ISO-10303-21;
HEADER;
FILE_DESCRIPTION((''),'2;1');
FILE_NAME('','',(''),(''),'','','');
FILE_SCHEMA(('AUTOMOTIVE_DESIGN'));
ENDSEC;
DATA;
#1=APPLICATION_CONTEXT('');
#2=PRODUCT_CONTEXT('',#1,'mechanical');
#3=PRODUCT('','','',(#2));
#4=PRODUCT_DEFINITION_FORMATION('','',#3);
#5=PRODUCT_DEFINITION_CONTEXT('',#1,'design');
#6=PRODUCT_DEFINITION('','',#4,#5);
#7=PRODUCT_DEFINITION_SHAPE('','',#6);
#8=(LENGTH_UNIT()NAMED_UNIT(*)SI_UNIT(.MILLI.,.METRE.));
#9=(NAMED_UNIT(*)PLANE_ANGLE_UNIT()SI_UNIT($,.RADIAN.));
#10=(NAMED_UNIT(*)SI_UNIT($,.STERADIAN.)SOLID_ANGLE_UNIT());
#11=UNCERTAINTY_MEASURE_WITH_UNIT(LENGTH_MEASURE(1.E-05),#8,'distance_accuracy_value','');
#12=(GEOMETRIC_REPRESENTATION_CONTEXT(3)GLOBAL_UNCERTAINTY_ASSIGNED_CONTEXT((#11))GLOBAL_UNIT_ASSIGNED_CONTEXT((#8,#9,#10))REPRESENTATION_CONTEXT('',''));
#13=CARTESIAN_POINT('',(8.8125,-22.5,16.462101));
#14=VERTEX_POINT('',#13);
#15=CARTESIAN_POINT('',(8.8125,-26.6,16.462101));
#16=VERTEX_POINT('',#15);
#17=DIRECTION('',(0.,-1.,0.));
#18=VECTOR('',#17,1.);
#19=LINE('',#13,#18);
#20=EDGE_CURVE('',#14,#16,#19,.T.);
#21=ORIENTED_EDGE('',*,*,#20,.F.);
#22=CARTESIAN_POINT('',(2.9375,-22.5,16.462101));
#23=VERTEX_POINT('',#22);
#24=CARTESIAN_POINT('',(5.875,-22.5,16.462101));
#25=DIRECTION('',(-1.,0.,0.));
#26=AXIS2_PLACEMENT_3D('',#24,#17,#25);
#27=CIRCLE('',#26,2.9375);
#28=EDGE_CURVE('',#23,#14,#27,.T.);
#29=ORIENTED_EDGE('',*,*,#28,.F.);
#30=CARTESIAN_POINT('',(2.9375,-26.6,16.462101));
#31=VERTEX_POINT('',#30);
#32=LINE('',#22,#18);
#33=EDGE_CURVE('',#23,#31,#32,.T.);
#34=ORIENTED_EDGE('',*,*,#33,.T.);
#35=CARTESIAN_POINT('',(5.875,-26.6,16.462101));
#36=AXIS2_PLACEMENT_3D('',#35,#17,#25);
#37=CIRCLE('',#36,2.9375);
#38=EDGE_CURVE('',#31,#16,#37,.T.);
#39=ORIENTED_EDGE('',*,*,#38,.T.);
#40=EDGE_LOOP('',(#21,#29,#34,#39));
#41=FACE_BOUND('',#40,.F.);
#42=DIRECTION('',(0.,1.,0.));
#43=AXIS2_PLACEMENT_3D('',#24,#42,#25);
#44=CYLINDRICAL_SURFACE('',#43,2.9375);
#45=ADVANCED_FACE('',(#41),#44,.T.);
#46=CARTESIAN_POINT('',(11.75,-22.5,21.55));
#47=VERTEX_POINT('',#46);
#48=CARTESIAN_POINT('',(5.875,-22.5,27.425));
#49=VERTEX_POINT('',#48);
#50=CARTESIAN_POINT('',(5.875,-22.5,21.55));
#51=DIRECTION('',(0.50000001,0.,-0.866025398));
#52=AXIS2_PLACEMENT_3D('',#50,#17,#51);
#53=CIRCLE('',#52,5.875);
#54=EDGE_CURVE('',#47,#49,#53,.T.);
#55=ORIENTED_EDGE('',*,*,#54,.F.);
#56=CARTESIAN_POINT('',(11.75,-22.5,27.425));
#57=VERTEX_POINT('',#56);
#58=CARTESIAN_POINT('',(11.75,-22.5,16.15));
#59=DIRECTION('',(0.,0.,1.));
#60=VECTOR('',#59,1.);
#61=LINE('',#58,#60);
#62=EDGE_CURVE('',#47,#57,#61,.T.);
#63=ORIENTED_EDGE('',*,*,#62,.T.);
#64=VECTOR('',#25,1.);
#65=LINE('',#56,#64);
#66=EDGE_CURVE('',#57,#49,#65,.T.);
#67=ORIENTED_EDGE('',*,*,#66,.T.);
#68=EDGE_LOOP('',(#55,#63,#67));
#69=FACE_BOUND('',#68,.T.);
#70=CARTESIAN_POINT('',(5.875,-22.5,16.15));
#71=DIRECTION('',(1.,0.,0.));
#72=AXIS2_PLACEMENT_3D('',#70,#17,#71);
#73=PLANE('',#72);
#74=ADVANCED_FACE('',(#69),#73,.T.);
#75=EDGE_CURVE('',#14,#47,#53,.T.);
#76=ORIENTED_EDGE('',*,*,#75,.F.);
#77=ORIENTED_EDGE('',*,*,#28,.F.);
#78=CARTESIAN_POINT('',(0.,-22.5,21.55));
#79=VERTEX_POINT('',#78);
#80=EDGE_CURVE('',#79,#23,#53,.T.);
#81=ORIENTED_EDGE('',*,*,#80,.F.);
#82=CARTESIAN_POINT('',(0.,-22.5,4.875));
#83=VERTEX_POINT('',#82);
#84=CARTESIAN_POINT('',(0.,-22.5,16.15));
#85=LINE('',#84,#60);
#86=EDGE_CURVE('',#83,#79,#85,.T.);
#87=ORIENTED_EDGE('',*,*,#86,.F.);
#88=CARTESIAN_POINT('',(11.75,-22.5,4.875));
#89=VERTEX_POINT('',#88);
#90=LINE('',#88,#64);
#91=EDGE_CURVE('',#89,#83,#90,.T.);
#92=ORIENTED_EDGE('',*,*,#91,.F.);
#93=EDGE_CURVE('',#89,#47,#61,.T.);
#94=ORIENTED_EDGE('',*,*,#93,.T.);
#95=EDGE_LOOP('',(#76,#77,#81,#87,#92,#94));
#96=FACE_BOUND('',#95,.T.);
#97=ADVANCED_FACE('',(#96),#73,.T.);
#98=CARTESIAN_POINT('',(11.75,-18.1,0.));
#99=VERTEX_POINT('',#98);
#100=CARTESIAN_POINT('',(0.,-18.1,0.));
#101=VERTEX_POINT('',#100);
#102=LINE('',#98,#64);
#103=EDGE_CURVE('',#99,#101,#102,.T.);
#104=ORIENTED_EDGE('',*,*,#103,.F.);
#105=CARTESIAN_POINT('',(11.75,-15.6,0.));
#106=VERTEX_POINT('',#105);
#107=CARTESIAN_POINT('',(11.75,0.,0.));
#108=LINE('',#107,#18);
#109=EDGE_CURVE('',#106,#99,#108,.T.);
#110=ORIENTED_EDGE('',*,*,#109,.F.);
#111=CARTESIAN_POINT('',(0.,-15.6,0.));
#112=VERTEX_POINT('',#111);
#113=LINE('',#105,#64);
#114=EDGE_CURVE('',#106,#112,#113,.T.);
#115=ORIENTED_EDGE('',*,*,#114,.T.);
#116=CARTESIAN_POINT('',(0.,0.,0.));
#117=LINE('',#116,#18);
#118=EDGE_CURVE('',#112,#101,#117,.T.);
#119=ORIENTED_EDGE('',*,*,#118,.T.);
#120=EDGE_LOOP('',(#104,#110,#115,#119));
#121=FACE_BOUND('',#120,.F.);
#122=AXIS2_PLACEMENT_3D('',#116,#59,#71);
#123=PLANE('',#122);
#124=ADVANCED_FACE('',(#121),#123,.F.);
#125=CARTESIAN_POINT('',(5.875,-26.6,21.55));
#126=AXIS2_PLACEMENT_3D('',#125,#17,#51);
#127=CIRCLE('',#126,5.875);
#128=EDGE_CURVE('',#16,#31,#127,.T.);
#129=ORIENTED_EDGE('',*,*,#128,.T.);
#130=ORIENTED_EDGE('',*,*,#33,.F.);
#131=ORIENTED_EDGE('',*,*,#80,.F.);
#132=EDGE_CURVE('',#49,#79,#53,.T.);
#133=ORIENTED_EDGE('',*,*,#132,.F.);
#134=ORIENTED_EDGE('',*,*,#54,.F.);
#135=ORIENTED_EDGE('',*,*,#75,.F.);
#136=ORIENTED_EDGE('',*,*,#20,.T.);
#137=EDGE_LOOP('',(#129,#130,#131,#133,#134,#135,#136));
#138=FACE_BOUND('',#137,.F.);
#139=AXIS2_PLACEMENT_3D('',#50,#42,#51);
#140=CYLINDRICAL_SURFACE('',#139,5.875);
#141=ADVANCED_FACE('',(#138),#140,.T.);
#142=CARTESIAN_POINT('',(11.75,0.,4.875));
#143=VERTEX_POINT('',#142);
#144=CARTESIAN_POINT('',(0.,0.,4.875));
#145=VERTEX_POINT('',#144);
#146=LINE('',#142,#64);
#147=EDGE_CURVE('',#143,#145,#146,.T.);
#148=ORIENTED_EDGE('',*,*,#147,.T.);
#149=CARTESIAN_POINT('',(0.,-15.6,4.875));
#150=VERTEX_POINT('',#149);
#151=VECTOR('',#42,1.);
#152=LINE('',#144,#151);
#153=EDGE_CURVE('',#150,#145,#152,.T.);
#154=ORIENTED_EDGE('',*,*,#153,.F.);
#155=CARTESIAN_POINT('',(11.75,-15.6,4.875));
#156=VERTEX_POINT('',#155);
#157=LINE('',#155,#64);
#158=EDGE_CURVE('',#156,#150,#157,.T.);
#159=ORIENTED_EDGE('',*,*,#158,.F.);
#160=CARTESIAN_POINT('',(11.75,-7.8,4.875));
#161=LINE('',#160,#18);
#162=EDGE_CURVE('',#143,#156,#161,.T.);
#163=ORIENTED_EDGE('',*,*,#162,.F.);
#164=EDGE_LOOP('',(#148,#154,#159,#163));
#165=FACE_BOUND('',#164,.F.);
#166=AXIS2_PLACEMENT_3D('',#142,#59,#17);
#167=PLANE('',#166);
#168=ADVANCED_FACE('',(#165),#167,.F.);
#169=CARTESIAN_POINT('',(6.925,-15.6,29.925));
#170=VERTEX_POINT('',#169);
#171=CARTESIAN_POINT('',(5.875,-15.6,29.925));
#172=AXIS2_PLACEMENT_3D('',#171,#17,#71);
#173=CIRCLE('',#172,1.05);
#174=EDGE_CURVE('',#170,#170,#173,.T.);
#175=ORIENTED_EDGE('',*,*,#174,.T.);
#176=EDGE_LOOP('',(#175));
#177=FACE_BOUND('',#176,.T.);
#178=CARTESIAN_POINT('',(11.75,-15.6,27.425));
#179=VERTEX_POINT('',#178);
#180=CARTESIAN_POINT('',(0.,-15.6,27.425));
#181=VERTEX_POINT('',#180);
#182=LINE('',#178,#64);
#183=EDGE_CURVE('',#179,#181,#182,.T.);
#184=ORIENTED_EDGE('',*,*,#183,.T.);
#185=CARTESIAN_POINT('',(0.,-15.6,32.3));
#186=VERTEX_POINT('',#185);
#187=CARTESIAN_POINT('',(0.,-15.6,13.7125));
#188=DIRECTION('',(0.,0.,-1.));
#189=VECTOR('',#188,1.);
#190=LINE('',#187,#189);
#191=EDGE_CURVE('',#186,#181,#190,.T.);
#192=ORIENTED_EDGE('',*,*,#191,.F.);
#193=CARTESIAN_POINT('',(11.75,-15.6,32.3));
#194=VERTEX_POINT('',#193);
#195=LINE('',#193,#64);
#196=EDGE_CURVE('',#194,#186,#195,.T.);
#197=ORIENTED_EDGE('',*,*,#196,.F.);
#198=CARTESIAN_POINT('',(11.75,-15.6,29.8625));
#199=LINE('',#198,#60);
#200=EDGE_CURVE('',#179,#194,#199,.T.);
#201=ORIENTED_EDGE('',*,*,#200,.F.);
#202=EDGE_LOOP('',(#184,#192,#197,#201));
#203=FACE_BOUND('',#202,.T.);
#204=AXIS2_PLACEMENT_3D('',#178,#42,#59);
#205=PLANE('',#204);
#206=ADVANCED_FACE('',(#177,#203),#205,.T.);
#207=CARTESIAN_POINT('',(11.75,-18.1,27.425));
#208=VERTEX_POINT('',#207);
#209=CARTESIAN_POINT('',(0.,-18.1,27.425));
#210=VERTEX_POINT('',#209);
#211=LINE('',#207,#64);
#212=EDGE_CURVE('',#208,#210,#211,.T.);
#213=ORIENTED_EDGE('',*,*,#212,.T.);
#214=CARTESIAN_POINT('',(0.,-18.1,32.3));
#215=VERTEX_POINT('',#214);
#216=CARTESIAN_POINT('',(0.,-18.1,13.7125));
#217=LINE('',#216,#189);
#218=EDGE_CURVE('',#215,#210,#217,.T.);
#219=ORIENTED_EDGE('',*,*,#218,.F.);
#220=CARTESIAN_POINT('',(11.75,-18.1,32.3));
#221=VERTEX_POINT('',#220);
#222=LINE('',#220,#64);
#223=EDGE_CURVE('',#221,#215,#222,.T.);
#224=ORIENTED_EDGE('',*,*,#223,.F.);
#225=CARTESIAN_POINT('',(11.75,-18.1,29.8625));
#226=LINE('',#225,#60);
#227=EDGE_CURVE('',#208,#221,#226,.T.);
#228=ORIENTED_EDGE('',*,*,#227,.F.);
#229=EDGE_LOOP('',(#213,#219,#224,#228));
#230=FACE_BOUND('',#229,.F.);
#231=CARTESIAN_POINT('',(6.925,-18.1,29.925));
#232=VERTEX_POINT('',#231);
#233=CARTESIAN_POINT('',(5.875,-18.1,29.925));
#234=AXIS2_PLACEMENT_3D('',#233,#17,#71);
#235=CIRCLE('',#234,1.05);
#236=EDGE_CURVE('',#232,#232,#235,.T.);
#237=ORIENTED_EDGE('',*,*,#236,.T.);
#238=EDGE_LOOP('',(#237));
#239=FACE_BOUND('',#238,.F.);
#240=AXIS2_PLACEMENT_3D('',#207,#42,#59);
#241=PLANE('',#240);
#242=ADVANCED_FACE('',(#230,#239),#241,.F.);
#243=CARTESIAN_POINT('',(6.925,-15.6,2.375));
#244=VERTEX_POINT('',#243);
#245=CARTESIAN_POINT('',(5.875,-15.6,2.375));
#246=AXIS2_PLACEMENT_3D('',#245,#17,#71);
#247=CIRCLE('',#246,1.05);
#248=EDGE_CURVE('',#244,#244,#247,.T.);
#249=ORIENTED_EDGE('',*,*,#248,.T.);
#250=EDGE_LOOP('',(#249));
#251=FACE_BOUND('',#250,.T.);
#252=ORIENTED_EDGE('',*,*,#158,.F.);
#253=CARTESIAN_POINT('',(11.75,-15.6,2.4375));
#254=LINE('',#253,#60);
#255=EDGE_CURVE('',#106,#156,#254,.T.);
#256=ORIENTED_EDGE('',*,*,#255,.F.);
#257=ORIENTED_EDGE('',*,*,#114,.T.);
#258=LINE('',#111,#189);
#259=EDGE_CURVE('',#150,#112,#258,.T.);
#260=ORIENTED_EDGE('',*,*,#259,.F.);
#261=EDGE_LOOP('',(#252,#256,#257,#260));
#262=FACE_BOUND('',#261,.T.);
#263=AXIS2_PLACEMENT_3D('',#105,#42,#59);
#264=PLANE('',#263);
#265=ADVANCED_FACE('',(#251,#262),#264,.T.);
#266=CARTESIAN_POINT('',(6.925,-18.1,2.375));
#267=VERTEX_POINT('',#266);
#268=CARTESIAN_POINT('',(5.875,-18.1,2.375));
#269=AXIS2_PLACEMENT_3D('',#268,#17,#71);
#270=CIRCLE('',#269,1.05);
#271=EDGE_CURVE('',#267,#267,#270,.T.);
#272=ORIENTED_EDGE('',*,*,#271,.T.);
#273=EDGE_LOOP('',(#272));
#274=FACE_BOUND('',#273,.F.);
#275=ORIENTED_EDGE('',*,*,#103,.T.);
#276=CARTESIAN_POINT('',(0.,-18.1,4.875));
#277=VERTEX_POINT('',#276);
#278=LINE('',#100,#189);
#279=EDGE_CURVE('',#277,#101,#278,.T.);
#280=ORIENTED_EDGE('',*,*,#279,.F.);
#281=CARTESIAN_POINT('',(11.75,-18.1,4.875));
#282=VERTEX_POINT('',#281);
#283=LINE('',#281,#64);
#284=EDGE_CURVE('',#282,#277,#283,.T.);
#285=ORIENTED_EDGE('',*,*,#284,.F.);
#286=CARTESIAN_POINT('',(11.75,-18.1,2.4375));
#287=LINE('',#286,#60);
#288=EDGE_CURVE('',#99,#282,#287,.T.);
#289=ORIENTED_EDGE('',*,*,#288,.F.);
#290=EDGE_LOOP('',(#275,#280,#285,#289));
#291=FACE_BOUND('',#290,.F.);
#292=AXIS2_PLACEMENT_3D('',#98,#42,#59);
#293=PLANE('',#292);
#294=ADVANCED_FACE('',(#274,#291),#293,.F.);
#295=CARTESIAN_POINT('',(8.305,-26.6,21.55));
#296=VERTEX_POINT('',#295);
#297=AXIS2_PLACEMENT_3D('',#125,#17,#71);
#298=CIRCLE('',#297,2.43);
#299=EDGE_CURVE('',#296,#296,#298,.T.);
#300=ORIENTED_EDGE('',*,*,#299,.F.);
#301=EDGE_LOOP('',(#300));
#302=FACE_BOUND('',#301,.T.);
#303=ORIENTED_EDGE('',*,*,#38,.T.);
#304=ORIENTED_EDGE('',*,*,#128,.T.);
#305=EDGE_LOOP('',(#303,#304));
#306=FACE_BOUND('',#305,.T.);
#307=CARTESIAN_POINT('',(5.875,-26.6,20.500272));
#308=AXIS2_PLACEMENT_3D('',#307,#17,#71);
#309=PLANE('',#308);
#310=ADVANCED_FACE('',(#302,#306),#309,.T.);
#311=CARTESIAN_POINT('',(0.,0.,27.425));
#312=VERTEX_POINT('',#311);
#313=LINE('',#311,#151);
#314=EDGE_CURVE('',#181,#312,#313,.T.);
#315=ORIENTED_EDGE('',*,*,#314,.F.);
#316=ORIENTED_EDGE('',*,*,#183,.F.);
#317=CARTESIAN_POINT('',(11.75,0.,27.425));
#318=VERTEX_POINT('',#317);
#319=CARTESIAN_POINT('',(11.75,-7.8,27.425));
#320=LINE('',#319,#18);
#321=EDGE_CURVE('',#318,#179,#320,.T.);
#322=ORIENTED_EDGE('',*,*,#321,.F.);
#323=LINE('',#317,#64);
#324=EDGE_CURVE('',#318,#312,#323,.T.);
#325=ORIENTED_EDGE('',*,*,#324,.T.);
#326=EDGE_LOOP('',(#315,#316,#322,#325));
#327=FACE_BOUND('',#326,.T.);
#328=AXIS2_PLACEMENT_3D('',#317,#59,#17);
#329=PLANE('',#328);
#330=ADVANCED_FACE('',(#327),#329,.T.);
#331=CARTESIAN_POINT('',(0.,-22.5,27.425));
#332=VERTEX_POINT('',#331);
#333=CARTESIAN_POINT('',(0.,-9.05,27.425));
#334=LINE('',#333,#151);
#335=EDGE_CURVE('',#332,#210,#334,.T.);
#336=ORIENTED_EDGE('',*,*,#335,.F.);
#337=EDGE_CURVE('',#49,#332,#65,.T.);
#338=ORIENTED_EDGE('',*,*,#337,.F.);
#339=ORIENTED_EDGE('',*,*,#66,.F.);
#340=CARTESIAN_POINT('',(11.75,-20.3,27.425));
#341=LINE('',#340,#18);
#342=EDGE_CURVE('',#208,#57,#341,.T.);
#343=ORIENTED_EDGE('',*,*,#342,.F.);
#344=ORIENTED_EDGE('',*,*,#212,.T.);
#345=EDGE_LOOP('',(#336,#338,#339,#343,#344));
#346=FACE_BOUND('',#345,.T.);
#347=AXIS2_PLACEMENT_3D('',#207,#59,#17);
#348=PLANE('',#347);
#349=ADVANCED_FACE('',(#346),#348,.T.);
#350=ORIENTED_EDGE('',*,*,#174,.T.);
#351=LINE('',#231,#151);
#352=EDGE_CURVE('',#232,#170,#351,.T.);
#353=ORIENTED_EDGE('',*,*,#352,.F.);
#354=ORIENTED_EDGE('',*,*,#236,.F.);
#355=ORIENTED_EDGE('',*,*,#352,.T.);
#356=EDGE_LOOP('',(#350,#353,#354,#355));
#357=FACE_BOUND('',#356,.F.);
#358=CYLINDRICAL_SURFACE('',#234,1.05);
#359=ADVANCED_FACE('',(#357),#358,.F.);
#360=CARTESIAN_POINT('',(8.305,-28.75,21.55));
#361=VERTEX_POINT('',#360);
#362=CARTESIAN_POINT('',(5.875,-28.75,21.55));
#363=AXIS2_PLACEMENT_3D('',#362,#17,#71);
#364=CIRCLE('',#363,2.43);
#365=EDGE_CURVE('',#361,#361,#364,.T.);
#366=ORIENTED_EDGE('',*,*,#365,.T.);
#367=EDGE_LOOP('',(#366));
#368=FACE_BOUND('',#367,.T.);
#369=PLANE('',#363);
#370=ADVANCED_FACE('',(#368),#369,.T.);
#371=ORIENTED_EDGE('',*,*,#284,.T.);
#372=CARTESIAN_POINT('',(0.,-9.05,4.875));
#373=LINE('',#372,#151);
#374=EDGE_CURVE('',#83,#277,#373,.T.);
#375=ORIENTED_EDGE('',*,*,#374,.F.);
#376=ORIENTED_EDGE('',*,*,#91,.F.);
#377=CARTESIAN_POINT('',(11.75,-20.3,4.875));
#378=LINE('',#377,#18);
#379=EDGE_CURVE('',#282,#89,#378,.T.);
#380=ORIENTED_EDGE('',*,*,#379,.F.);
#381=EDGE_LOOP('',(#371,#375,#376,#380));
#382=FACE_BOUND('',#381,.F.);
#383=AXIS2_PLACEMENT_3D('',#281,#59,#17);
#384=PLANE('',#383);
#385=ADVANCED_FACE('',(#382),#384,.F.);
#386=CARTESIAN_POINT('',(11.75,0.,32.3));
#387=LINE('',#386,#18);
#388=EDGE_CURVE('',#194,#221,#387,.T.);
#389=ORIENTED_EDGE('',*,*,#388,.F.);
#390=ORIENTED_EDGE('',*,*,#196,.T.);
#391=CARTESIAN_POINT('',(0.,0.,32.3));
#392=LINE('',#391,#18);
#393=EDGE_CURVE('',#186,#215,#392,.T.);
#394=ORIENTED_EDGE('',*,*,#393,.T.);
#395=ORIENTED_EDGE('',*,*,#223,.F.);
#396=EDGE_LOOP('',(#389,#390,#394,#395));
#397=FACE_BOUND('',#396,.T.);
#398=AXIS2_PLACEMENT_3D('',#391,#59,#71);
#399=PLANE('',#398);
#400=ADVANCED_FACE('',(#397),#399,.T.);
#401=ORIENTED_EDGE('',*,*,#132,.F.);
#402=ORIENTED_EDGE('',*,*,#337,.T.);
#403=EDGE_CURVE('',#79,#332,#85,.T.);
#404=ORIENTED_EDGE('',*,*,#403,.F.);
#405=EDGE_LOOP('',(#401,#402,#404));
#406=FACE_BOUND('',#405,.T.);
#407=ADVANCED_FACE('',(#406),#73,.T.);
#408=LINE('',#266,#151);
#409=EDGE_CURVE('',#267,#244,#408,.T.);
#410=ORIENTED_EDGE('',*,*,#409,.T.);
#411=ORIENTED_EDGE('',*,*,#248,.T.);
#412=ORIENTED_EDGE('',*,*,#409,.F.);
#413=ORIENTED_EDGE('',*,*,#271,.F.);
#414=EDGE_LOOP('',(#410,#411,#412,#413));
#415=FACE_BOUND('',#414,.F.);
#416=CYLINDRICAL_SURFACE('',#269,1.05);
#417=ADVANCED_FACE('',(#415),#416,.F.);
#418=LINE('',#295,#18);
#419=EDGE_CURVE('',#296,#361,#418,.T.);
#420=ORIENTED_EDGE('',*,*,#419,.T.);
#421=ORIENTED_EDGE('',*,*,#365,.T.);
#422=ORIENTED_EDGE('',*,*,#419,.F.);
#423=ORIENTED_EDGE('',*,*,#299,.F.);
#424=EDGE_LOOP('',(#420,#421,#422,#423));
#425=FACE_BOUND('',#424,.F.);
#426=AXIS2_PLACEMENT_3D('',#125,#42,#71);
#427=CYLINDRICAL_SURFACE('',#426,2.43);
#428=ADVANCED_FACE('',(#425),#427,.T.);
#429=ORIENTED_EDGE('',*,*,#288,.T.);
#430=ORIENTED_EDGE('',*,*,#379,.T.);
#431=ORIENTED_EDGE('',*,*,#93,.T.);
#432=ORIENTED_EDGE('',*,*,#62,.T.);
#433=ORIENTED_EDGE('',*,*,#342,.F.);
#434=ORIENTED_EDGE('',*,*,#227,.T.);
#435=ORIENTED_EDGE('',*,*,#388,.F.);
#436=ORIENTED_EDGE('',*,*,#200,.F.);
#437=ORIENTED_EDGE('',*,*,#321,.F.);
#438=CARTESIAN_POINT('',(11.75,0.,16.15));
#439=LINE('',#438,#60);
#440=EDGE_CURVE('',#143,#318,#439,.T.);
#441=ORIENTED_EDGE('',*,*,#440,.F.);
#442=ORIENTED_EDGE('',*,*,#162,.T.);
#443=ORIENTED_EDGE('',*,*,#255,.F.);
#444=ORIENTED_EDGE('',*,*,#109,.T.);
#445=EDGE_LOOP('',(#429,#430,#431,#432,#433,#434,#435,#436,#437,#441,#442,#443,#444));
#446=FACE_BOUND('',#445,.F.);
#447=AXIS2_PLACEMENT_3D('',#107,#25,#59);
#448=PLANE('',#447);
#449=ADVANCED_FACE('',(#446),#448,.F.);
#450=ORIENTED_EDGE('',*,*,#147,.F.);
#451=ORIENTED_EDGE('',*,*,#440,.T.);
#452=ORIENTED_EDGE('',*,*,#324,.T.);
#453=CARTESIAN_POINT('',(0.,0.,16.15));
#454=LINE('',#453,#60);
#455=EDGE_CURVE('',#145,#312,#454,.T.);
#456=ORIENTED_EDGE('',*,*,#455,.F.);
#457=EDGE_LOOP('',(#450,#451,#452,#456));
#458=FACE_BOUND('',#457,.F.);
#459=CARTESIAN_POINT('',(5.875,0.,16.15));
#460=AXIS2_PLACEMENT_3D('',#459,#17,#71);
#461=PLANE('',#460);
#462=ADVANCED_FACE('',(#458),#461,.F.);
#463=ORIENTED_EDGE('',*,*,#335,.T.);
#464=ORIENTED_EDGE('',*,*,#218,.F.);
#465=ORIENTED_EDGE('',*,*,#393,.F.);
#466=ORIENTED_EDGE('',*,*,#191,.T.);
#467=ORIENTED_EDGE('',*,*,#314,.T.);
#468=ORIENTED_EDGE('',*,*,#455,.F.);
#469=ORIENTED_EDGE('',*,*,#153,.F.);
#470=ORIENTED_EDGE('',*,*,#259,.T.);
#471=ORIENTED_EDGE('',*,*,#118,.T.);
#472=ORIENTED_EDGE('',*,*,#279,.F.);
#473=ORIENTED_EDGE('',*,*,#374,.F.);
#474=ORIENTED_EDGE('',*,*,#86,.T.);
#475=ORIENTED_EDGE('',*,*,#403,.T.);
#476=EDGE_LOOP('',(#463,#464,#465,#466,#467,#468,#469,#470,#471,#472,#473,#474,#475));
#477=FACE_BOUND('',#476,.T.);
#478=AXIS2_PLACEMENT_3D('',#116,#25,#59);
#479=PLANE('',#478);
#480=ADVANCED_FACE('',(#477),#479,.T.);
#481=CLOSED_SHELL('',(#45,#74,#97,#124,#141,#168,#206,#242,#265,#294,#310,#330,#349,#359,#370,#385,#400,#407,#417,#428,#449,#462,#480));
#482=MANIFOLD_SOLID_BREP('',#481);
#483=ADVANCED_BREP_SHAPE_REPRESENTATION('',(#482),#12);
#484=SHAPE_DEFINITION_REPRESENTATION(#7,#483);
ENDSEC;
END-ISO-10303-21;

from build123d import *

# Parameters (mm, degrees)
SKETCH_W        = 11.75
SKETCH_H        = 32.3
PAD_DEPTH       = 22.5
SKETCH001_W     = 4.875
SKETCH001_H     = 15.6
SKETCH001_H_2   = 4.4
POCKET_DEPTH    = 11.751
PAD001_DEPTH    = 4.1
SKETCH003_R     = 2.43
PAD002_DEPTH    = 2.15
SKETCH004_R     = 1.05
POCKET001_DEPTH = 5


with BuildPart() as part:
    # Sketch → Pad (new body)
    with BuildSketch(Plane.XZ):
        with Locations((5.875, 16.15)):
            Rectangle(SKETCH_W, SKETCH_H)
    extrude(amount=PAD_DEPTH)

    # Sketch001 (on Face2 of Pad) → Pocket (cut, through all)
    with BuildSketch(Plane(origin=(11.75, 0, 0), x_dir=(0, 0, 1), z_dir=(1, 0, 0))):
        with Locations((29.8625, 7.8)):
            Rectangle(SKETCH001_W, SKETCH001_H)
        with Locations((29.8625, 20.3)):
            Rectangle(SKETCH001_W, SKETCH001_H_2)
        with Locations((2.4375, 20.3)):
            Rectangle(SKETCH001_W, SKETCH001_H_2)
        with Locations((2.4375, 7.8)):
            Rectangle(SKETCH001_W, SKETCH001_H)
    extrude(amount=-POCKET_DEPTH, mode=Mode.SUBTRACT)

    # Sketch002 (on Face13 of Pocket) → Pad001 (join)
    with BuildSketch(Plane.XZ.offset(22.5)):
        with BuildLine():
            ThreePointArc((8.8125, 16.462101), (5.875, 27.425), (2.9375, 16.462101))
            ThreePointArc((2.9375, 16.462101), (5.875, 13.524601), (8.8125, 16.462101))
        make_face()
    extrude(amount=PAD001_DEPTH)

    # Sketch003 (on Face19 of Pad001) → Pad002 (join)
    with BuildSketch(Plane.XZ.offset(26.6)):
        with Locations((5.875, 21.55)):
            Circle(SKETCH003_R)
    extrude(amount=PAD002_DEPTH)

    # Sketch004 (on Face4 of Pad002) → Pocket001 (cut)
    with BuildSketch(Plane.XZ.offset(18.1)):
        with Locations((5.875, 29.925)):
            Circle(SKETCH004_R)
        with Locations((5.875, 2.375)):
            Circle(SKETCH004_R)
    extrude(amount=-POCKET001_DEPTH, mode=Mode.SUBTRACT)


solid = part.part
